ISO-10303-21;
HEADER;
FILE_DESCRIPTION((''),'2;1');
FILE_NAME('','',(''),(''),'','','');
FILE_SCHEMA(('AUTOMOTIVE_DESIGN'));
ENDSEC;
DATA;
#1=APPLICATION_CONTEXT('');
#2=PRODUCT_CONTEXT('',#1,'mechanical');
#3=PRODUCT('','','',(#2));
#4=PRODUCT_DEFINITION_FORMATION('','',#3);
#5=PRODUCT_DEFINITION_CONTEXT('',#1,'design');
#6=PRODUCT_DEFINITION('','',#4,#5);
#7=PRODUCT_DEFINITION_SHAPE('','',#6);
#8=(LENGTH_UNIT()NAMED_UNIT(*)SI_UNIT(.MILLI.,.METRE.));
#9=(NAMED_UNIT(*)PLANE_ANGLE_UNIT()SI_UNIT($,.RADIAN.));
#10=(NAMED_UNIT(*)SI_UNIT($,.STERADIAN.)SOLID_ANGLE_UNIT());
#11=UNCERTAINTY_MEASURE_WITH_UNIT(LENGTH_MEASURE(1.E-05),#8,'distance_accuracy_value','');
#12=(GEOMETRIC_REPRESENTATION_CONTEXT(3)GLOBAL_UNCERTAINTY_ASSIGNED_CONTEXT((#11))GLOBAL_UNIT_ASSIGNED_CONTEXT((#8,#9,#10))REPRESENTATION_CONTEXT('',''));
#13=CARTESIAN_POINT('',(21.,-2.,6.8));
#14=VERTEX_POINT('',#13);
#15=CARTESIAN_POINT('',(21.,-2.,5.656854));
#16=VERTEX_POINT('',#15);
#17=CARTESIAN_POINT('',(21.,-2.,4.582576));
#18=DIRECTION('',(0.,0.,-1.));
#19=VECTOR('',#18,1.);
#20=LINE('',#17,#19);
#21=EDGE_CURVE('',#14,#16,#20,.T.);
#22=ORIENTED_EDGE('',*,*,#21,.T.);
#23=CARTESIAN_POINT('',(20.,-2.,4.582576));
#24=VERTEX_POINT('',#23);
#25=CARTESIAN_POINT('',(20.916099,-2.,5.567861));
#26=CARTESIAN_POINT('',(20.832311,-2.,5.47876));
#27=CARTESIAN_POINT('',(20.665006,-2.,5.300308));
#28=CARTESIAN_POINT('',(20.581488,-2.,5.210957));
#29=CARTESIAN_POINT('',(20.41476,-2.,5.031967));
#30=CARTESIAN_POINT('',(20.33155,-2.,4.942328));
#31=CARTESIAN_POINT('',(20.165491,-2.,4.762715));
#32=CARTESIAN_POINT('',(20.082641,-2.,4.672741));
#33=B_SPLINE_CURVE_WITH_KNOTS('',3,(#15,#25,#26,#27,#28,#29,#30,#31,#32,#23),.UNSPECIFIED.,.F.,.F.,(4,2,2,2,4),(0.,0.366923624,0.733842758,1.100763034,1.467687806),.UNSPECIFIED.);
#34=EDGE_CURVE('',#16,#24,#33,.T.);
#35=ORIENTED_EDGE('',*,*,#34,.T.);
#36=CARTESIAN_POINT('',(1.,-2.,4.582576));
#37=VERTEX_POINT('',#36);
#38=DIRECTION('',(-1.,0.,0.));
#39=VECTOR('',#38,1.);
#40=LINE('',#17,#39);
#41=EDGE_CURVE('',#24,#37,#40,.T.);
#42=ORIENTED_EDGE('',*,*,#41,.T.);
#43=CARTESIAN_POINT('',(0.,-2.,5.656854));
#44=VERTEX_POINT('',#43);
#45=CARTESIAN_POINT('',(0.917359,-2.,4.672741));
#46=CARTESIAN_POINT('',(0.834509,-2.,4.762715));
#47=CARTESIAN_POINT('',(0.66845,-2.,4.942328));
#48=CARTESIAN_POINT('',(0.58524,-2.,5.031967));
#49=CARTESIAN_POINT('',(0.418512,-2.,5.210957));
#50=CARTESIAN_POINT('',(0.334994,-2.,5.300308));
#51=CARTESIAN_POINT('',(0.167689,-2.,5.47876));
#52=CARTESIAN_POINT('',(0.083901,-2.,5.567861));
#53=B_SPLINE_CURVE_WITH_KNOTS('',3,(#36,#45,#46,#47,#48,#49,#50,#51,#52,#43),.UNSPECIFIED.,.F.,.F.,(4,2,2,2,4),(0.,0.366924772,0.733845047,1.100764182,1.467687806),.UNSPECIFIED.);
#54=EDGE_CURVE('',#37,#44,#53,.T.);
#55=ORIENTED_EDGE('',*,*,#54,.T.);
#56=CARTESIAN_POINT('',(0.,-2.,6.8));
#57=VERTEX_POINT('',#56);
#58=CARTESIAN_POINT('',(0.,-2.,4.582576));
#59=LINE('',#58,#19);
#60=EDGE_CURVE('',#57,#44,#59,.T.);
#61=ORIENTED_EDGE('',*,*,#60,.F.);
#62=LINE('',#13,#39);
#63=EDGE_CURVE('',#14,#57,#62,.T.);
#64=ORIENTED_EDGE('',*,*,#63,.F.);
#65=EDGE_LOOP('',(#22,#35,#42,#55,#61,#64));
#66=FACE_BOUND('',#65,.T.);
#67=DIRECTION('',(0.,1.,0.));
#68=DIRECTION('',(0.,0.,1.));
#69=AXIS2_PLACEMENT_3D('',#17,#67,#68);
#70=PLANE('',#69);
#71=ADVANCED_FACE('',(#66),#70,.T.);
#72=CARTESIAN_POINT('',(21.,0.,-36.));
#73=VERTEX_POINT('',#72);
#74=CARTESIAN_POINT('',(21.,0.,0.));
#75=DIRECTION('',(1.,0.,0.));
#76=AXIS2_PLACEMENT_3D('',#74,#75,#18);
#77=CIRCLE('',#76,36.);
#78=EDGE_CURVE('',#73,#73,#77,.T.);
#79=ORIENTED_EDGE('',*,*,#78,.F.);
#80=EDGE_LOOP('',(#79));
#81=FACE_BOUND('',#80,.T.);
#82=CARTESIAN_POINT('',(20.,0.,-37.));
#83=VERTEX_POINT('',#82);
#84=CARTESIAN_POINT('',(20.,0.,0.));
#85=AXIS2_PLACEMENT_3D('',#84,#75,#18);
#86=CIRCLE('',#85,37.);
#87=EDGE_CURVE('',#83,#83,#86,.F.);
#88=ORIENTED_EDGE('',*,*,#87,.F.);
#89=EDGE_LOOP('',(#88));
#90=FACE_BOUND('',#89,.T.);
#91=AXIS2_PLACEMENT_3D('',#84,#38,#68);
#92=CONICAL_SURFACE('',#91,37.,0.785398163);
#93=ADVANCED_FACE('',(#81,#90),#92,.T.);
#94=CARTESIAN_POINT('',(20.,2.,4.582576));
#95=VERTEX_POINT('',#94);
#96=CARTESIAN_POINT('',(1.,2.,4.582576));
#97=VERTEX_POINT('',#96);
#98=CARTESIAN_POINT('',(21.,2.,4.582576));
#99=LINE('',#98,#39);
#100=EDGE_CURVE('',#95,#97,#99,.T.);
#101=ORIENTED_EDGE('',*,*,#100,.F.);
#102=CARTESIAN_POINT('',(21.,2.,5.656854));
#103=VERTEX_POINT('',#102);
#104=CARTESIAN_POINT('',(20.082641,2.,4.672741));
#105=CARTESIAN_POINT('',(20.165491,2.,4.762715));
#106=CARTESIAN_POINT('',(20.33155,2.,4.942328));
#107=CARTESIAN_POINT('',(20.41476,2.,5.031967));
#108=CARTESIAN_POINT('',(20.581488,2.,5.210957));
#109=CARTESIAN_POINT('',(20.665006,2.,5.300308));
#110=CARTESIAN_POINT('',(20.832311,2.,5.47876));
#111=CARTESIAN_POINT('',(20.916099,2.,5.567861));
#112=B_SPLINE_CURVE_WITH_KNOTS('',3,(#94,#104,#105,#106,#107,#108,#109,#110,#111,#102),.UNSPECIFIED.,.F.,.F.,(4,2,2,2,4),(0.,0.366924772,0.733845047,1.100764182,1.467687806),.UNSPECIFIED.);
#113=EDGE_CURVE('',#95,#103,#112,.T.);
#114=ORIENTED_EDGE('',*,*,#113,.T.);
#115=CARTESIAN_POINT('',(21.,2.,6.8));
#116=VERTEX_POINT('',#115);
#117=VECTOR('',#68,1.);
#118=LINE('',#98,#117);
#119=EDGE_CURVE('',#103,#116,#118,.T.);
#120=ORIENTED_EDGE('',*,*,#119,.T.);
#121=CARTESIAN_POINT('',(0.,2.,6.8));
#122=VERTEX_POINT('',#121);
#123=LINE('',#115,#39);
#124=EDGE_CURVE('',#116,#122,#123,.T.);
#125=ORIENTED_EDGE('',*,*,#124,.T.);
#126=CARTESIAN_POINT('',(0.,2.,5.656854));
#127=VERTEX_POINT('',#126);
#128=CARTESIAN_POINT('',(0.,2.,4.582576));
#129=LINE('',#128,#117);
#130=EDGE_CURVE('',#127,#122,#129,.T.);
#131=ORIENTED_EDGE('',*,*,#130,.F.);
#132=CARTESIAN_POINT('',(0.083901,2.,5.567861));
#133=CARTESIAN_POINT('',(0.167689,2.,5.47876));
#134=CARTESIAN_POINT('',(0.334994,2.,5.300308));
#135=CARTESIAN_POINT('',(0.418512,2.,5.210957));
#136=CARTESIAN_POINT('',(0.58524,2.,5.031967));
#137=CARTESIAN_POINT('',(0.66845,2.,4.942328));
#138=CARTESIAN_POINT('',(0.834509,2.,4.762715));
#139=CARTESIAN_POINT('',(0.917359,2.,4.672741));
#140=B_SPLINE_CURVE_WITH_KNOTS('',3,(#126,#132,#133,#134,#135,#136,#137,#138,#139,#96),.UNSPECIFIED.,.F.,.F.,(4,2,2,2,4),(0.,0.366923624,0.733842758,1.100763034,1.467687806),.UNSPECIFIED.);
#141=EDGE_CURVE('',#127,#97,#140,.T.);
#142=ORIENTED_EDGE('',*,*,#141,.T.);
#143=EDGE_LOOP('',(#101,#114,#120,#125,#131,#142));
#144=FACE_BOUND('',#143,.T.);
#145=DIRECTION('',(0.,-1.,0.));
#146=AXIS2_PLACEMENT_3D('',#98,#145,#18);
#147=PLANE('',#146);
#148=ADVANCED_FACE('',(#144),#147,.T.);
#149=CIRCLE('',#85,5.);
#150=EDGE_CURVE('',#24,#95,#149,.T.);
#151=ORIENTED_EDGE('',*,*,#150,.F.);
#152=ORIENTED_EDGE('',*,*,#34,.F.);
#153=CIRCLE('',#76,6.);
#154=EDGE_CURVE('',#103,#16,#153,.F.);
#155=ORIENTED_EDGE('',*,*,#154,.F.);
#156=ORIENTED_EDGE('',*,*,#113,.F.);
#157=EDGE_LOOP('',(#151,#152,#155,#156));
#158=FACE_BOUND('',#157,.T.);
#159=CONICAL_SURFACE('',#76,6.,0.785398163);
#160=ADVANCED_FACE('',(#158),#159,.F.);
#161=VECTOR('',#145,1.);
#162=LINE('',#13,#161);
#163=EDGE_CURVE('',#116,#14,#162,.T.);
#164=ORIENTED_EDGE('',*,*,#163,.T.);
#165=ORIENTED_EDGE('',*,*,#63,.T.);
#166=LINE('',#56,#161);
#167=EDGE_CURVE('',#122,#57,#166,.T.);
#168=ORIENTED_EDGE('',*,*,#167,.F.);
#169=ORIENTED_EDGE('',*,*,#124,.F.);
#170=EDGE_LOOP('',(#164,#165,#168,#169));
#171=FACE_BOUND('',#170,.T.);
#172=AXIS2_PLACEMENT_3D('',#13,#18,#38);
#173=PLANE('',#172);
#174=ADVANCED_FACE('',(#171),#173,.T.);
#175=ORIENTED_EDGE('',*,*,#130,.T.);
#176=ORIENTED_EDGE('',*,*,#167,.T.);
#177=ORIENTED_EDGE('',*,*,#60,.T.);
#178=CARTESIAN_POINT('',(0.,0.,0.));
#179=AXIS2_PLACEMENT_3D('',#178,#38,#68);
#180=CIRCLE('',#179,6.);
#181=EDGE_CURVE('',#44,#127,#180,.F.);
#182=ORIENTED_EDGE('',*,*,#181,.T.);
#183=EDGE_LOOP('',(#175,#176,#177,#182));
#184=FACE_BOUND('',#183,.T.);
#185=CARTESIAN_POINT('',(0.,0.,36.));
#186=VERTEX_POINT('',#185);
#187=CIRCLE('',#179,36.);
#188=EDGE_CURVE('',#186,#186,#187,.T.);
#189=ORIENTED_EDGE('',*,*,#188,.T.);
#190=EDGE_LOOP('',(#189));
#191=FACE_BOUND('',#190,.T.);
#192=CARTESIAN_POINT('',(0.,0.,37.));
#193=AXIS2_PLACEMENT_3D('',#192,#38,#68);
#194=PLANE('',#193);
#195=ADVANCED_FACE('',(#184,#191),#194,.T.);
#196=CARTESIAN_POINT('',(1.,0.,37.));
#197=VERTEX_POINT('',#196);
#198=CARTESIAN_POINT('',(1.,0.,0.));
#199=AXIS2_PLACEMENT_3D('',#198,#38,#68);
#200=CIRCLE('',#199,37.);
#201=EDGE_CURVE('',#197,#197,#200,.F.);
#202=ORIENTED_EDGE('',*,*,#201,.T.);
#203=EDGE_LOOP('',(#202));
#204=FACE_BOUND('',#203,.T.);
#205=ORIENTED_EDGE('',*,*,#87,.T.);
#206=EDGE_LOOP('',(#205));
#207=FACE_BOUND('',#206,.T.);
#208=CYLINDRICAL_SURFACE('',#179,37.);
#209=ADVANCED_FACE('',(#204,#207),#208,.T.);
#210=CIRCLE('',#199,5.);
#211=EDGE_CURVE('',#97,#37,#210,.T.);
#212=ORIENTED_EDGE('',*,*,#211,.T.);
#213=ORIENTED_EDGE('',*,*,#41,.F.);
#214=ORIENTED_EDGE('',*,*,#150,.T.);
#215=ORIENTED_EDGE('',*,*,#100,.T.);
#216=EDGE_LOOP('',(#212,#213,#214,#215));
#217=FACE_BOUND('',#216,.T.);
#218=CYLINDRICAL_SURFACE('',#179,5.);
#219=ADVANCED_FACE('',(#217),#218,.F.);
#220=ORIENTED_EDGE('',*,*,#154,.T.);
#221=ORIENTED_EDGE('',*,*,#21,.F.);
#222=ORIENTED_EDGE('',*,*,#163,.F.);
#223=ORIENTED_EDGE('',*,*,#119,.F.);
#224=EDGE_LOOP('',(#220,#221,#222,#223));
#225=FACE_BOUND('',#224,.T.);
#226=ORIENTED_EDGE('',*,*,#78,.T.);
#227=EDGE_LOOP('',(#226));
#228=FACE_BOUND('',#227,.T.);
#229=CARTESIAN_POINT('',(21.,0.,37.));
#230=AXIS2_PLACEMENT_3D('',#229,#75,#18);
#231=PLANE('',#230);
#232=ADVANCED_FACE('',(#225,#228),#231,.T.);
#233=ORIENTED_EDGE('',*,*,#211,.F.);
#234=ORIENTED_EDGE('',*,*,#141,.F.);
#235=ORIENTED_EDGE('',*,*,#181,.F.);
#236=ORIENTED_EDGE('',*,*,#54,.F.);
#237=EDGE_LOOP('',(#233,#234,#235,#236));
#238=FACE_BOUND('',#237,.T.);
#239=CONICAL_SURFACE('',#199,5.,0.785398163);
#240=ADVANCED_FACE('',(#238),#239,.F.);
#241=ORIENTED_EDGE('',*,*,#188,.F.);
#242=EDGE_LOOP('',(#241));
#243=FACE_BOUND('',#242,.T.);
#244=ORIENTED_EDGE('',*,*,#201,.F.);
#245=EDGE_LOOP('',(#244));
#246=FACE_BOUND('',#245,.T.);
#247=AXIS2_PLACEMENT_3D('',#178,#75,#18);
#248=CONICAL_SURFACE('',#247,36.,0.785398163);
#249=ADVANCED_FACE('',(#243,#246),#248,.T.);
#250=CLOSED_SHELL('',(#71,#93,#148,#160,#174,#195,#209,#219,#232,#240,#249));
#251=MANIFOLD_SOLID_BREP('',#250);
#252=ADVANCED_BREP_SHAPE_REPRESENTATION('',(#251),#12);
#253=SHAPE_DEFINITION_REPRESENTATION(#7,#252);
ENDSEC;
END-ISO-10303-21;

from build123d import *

# Parameters (mm, degrees)
SKETCH1_W          = 21
SKETCH1_H          = 32
CUT_EXTRUDE2_DEPTH = 57.382621436
CHAMFER1_SIZE      = 1


with BuildPart() as part:
    # Sketch1 → Revolve1 (revolve)
    with BuildSketch(Plane(origin=(0, 0, 0), x_dir=(1, 0, 0), z_dir=(0, 1, 0))):
        with Locations((10.5, -21)):
            Rectangle(SKETCH1_W, SKETCH1_H)
    revolve(axis=Axis((0, 0, 0), (1, 0, 0)))

    # Sketch2 → Cut-Extrude2 (cut, through all)
    with BuildSketch(Plane(origin=(0, 0, 0), x_dir=(0, 0, -1), z_dir=(1, 0, 0))):
        with BuildLine():
            Line((-4.582575695, -2), (-6.8, -2))
            Line((-6.8, -2), (-6.8, 2))
            Line((-6.8, 2), (-4.582575695, 2))
            ThreePointArc((-4.582575695, 2), (-5, 0), (-4.582575695, -2))
        make_face()
    extrude(amount=CUT_EXTRUDE2_DEPTH, mode=Mode.SUBTRACT)

    # Chamfer1
    chamfer1_edges = [part.edges().sort_by_distance(p)[0] for p in [
        (0, 0, -37),
        (21, 0, -37),
        (21, 0, -5),
        (0, 0, -5),
    ]]
    chamfer(chamfer1_edges, length=CHAMFER1_SIZE)


solid = part.part
